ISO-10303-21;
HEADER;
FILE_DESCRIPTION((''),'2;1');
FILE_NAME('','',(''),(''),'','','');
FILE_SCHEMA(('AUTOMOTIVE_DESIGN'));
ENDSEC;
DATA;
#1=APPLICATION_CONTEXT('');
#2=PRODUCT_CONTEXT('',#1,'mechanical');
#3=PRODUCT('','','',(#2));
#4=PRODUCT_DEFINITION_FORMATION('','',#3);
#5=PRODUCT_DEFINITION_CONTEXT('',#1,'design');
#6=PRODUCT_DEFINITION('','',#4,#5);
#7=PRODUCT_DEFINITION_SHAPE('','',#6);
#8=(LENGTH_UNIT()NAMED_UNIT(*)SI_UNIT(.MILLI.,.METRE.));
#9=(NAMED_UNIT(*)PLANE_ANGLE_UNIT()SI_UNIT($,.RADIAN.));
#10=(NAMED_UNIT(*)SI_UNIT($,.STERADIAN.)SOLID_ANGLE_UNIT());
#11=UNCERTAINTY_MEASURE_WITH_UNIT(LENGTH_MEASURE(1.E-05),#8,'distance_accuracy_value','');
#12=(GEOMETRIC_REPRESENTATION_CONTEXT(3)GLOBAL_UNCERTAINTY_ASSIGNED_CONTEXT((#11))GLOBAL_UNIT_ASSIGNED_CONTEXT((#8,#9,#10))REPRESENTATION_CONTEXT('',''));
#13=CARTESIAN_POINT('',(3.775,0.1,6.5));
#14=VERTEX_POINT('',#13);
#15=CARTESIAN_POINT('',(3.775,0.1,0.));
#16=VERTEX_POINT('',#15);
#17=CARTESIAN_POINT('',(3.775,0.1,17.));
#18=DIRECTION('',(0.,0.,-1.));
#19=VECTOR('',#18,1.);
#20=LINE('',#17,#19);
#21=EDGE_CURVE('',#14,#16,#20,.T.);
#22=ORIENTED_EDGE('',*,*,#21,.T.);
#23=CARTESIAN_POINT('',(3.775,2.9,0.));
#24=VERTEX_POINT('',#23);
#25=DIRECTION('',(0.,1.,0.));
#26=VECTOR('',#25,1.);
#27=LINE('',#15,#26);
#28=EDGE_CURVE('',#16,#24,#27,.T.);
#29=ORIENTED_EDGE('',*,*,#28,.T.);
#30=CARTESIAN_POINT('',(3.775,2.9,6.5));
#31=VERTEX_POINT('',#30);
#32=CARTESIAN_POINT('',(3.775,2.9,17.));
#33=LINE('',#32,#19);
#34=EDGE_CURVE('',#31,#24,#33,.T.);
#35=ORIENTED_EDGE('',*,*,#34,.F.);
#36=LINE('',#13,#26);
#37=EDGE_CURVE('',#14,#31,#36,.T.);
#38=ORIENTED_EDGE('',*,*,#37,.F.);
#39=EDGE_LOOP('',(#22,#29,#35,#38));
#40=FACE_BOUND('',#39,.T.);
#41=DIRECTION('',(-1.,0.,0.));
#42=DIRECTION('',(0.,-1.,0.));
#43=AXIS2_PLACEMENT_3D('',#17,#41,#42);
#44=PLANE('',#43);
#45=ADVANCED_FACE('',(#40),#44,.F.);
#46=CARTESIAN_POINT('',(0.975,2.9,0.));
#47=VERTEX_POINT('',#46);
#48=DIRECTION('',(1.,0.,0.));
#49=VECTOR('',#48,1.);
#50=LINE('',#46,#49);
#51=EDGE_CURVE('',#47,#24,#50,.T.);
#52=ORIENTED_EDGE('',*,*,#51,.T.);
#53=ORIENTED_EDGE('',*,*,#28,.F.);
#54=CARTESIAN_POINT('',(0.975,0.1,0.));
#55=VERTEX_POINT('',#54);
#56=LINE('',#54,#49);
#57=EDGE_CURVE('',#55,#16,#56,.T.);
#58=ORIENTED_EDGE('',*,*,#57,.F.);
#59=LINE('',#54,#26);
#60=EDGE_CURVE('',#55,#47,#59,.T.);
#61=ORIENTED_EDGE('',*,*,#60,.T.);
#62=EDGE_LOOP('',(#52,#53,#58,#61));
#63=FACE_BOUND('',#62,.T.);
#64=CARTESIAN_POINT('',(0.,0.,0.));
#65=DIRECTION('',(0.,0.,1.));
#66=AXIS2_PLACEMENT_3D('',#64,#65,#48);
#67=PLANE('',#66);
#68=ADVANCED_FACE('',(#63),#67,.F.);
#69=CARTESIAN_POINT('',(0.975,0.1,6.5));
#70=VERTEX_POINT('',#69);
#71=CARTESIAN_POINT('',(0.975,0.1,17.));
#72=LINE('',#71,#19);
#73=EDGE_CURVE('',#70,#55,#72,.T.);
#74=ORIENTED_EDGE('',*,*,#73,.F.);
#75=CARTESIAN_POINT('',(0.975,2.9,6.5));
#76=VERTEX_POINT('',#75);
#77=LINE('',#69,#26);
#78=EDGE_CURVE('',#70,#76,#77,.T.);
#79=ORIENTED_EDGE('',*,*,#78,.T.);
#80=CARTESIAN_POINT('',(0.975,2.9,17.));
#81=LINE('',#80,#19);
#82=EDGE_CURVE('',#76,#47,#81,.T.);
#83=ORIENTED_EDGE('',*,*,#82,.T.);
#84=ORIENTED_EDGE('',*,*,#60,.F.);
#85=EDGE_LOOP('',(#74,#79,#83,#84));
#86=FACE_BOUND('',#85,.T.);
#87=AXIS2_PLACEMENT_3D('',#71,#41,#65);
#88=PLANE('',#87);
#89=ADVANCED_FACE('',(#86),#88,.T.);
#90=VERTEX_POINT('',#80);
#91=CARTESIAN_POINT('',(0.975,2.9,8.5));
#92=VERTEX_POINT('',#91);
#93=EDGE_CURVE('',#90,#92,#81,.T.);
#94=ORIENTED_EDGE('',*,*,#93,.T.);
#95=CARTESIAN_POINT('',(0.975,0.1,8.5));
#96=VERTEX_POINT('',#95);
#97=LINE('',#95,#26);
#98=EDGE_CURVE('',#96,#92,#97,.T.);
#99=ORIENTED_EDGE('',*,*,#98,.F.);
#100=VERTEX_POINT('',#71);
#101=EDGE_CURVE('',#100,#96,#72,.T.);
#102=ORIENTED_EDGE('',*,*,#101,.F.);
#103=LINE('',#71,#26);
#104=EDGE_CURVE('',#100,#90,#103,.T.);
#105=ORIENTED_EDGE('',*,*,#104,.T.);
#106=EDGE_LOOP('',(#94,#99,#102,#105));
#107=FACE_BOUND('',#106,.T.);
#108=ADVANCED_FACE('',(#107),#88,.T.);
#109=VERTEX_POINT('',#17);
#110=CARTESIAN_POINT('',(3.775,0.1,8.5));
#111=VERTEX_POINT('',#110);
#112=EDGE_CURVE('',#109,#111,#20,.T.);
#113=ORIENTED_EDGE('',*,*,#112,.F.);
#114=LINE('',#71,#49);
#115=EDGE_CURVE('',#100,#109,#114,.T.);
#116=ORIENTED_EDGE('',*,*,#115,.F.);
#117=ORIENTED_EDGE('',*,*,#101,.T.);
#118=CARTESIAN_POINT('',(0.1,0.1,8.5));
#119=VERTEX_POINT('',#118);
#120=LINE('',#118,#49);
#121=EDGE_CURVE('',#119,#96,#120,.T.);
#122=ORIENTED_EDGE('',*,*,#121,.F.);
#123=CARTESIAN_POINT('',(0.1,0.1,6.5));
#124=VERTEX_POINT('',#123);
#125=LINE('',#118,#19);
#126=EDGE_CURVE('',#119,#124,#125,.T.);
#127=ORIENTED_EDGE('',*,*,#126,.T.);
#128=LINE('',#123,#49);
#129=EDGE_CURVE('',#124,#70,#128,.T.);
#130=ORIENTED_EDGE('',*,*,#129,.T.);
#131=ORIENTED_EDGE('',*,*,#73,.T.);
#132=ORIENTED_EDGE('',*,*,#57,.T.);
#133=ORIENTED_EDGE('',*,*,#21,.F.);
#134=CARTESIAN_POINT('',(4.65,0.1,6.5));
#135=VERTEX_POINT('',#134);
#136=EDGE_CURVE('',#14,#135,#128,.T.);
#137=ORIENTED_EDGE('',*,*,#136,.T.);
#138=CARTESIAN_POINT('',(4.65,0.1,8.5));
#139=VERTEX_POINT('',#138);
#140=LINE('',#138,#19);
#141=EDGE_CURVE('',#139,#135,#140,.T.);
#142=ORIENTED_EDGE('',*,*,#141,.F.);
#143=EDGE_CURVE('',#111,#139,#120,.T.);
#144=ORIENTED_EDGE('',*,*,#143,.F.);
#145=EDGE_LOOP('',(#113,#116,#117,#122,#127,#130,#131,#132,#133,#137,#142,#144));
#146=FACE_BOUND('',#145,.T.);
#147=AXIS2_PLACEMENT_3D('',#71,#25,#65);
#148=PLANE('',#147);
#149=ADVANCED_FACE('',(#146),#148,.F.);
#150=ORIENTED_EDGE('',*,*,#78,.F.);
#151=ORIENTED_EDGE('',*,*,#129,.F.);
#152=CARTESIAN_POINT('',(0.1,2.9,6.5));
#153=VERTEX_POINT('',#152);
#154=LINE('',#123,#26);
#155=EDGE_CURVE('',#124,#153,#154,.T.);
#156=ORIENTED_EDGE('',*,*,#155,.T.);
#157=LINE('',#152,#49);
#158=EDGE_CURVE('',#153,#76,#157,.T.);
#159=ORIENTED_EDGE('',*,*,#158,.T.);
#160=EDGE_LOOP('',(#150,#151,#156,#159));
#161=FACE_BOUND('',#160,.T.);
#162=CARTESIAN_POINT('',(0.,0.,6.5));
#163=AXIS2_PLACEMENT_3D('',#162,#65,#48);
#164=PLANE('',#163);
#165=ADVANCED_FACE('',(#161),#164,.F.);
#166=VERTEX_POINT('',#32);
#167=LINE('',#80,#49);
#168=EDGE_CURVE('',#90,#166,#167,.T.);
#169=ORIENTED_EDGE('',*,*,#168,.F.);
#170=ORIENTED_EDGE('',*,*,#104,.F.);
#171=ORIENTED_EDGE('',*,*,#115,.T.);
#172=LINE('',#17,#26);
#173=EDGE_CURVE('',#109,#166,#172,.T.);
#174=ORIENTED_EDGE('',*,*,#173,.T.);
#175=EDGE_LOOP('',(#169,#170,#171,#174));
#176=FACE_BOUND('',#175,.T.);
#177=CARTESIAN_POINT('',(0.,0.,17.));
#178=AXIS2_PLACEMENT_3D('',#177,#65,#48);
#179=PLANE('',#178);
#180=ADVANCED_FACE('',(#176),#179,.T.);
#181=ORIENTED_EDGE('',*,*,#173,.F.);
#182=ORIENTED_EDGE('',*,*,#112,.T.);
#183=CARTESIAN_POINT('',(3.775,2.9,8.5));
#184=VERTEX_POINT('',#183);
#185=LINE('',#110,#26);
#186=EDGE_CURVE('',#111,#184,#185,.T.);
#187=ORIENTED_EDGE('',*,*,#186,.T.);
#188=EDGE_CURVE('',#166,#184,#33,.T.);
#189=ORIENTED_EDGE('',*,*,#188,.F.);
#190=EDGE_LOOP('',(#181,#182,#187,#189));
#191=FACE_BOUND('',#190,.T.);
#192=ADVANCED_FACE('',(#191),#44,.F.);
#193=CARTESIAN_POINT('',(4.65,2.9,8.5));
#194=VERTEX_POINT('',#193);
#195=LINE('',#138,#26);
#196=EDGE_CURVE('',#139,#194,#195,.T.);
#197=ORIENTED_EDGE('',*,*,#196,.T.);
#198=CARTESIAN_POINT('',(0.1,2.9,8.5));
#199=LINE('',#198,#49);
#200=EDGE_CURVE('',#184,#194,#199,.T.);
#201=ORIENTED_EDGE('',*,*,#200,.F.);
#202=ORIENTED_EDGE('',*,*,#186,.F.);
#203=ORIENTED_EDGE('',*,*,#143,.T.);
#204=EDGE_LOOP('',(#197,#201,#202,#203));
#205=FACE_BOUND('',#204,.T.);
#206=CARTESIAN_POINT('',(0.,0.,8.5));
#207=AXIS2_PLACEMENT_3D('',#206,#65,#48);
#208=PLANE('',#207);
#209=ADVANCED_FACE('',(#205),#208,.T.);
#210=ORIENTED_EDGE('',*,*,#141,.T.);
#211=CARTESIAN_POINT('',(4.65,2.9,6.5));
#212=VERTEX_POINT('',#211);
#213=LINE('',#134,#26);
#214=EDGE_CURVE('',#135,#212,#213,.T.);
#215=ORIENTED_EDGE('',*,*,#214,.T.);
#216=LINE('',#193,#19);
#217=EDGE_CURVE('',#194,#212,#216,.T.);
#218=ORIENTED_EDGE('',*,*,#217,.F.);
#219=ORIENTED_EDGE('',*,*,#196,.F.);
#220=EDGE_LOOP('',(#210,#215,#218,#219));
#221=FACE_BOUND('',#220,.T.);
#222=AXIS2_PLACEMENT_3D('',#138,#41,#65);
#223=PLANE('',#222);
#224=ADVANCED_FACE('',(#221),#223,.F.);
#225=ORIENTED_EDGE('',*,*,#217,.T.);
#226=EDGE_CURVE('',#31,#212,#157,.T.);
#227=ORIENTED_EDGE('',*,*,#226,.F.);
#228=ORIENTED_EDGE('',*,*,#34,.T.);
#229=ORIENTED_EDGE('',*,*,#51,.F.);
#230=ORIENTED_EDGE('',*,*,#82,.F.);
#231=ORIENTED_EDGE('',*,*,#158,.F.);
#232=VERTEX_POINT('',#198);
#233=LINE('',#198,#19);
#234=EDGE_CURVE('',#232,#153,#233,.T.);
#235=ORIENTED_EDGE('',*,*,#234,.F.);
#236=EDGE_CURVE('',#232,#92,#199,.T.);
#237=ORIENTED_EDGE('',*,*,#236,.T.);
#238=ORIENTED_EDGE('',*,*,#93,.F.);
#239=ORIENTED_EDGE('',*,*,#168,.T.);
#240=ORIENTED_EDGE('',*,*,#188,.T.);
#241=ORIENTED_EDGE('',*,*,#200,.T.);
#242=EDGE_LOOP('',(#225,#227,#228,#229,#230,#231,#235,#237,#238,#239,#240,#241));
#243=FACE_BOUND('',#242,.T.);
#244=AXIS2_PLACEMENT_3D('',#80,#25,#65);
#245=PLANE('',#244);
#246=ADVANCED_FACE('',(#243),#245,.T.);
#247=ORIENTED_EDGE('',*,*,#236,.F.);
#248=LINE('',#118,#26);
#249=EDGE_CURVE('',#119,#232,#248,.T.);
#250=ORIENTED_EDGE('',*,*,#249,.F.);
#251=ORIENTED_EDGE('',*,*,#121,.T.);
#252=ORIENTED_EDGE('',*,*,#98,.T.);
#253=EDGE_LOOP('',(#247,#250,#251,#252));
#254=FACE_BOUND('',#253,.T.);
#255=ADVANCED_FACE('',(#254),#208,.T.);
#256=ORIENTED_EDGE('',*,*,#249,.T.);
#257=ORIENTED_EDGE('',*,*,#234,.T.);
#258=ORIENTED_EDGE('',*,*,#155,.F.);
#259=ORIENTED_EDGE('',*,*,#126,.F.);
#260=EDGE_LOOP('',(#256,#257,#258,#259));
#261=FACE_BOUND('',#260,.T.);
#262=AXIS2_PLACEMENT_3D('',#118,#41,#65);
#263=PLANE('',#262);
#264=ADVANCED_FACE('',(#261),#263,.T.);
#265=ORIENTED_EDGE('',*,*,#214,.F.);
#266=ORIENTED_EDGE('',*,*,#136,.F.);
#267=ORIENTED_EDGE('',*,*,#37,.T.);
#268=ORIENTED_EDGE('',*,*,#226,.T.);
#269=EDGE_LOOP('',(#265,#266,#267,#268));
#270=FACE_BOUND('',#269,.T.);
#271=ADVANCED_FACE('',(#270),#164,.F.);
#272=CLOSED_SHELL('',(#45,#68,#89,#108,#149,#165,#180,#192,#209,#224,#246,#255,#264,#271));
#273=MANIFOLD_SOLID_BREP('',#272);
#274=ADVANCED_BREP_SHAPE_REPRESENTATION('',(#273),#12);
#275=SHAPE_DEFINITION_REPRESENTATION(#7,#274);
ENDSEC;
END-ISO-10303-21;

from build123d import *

# Parameters (mm, degrees)
SKETCH1_W           = 2.8
SKETCH1_H           = 2.8
BOSS_EXTRUDE1_DEPTH = 17
BOSS_EXTRUDE2_START = 6.5
SKETCH1_3_W         = 4.55
SKETCH1_3_H         = 2.8
BOSS_EXTRUDE2_DEPTH = 2


with BuildPart() as part:
    # Sketch1 → Boss-Extrude1 (new body)
    with BuildSketch(Plane.XY):
        with Locations((2.375, 1.5)):
            Rectangle(SKETCH1_W, SKETCH1_H)
    extrude(amount=BOSS_EXTRUDE1_DEPTH)

    # Sketch1<3> → Boss-Extrude2 (add)
    with BuildSketch(Plane.XY.offset(BOSS_EXTRUDE2_START)):
        with Locations((2.375, 1.5)):
            Rectangle(SKETCH1_3_W, SKETCH1_3_H)
    extrude(amount=BOSS_EXTRUDE2_DEPTH)


solid = part.part
